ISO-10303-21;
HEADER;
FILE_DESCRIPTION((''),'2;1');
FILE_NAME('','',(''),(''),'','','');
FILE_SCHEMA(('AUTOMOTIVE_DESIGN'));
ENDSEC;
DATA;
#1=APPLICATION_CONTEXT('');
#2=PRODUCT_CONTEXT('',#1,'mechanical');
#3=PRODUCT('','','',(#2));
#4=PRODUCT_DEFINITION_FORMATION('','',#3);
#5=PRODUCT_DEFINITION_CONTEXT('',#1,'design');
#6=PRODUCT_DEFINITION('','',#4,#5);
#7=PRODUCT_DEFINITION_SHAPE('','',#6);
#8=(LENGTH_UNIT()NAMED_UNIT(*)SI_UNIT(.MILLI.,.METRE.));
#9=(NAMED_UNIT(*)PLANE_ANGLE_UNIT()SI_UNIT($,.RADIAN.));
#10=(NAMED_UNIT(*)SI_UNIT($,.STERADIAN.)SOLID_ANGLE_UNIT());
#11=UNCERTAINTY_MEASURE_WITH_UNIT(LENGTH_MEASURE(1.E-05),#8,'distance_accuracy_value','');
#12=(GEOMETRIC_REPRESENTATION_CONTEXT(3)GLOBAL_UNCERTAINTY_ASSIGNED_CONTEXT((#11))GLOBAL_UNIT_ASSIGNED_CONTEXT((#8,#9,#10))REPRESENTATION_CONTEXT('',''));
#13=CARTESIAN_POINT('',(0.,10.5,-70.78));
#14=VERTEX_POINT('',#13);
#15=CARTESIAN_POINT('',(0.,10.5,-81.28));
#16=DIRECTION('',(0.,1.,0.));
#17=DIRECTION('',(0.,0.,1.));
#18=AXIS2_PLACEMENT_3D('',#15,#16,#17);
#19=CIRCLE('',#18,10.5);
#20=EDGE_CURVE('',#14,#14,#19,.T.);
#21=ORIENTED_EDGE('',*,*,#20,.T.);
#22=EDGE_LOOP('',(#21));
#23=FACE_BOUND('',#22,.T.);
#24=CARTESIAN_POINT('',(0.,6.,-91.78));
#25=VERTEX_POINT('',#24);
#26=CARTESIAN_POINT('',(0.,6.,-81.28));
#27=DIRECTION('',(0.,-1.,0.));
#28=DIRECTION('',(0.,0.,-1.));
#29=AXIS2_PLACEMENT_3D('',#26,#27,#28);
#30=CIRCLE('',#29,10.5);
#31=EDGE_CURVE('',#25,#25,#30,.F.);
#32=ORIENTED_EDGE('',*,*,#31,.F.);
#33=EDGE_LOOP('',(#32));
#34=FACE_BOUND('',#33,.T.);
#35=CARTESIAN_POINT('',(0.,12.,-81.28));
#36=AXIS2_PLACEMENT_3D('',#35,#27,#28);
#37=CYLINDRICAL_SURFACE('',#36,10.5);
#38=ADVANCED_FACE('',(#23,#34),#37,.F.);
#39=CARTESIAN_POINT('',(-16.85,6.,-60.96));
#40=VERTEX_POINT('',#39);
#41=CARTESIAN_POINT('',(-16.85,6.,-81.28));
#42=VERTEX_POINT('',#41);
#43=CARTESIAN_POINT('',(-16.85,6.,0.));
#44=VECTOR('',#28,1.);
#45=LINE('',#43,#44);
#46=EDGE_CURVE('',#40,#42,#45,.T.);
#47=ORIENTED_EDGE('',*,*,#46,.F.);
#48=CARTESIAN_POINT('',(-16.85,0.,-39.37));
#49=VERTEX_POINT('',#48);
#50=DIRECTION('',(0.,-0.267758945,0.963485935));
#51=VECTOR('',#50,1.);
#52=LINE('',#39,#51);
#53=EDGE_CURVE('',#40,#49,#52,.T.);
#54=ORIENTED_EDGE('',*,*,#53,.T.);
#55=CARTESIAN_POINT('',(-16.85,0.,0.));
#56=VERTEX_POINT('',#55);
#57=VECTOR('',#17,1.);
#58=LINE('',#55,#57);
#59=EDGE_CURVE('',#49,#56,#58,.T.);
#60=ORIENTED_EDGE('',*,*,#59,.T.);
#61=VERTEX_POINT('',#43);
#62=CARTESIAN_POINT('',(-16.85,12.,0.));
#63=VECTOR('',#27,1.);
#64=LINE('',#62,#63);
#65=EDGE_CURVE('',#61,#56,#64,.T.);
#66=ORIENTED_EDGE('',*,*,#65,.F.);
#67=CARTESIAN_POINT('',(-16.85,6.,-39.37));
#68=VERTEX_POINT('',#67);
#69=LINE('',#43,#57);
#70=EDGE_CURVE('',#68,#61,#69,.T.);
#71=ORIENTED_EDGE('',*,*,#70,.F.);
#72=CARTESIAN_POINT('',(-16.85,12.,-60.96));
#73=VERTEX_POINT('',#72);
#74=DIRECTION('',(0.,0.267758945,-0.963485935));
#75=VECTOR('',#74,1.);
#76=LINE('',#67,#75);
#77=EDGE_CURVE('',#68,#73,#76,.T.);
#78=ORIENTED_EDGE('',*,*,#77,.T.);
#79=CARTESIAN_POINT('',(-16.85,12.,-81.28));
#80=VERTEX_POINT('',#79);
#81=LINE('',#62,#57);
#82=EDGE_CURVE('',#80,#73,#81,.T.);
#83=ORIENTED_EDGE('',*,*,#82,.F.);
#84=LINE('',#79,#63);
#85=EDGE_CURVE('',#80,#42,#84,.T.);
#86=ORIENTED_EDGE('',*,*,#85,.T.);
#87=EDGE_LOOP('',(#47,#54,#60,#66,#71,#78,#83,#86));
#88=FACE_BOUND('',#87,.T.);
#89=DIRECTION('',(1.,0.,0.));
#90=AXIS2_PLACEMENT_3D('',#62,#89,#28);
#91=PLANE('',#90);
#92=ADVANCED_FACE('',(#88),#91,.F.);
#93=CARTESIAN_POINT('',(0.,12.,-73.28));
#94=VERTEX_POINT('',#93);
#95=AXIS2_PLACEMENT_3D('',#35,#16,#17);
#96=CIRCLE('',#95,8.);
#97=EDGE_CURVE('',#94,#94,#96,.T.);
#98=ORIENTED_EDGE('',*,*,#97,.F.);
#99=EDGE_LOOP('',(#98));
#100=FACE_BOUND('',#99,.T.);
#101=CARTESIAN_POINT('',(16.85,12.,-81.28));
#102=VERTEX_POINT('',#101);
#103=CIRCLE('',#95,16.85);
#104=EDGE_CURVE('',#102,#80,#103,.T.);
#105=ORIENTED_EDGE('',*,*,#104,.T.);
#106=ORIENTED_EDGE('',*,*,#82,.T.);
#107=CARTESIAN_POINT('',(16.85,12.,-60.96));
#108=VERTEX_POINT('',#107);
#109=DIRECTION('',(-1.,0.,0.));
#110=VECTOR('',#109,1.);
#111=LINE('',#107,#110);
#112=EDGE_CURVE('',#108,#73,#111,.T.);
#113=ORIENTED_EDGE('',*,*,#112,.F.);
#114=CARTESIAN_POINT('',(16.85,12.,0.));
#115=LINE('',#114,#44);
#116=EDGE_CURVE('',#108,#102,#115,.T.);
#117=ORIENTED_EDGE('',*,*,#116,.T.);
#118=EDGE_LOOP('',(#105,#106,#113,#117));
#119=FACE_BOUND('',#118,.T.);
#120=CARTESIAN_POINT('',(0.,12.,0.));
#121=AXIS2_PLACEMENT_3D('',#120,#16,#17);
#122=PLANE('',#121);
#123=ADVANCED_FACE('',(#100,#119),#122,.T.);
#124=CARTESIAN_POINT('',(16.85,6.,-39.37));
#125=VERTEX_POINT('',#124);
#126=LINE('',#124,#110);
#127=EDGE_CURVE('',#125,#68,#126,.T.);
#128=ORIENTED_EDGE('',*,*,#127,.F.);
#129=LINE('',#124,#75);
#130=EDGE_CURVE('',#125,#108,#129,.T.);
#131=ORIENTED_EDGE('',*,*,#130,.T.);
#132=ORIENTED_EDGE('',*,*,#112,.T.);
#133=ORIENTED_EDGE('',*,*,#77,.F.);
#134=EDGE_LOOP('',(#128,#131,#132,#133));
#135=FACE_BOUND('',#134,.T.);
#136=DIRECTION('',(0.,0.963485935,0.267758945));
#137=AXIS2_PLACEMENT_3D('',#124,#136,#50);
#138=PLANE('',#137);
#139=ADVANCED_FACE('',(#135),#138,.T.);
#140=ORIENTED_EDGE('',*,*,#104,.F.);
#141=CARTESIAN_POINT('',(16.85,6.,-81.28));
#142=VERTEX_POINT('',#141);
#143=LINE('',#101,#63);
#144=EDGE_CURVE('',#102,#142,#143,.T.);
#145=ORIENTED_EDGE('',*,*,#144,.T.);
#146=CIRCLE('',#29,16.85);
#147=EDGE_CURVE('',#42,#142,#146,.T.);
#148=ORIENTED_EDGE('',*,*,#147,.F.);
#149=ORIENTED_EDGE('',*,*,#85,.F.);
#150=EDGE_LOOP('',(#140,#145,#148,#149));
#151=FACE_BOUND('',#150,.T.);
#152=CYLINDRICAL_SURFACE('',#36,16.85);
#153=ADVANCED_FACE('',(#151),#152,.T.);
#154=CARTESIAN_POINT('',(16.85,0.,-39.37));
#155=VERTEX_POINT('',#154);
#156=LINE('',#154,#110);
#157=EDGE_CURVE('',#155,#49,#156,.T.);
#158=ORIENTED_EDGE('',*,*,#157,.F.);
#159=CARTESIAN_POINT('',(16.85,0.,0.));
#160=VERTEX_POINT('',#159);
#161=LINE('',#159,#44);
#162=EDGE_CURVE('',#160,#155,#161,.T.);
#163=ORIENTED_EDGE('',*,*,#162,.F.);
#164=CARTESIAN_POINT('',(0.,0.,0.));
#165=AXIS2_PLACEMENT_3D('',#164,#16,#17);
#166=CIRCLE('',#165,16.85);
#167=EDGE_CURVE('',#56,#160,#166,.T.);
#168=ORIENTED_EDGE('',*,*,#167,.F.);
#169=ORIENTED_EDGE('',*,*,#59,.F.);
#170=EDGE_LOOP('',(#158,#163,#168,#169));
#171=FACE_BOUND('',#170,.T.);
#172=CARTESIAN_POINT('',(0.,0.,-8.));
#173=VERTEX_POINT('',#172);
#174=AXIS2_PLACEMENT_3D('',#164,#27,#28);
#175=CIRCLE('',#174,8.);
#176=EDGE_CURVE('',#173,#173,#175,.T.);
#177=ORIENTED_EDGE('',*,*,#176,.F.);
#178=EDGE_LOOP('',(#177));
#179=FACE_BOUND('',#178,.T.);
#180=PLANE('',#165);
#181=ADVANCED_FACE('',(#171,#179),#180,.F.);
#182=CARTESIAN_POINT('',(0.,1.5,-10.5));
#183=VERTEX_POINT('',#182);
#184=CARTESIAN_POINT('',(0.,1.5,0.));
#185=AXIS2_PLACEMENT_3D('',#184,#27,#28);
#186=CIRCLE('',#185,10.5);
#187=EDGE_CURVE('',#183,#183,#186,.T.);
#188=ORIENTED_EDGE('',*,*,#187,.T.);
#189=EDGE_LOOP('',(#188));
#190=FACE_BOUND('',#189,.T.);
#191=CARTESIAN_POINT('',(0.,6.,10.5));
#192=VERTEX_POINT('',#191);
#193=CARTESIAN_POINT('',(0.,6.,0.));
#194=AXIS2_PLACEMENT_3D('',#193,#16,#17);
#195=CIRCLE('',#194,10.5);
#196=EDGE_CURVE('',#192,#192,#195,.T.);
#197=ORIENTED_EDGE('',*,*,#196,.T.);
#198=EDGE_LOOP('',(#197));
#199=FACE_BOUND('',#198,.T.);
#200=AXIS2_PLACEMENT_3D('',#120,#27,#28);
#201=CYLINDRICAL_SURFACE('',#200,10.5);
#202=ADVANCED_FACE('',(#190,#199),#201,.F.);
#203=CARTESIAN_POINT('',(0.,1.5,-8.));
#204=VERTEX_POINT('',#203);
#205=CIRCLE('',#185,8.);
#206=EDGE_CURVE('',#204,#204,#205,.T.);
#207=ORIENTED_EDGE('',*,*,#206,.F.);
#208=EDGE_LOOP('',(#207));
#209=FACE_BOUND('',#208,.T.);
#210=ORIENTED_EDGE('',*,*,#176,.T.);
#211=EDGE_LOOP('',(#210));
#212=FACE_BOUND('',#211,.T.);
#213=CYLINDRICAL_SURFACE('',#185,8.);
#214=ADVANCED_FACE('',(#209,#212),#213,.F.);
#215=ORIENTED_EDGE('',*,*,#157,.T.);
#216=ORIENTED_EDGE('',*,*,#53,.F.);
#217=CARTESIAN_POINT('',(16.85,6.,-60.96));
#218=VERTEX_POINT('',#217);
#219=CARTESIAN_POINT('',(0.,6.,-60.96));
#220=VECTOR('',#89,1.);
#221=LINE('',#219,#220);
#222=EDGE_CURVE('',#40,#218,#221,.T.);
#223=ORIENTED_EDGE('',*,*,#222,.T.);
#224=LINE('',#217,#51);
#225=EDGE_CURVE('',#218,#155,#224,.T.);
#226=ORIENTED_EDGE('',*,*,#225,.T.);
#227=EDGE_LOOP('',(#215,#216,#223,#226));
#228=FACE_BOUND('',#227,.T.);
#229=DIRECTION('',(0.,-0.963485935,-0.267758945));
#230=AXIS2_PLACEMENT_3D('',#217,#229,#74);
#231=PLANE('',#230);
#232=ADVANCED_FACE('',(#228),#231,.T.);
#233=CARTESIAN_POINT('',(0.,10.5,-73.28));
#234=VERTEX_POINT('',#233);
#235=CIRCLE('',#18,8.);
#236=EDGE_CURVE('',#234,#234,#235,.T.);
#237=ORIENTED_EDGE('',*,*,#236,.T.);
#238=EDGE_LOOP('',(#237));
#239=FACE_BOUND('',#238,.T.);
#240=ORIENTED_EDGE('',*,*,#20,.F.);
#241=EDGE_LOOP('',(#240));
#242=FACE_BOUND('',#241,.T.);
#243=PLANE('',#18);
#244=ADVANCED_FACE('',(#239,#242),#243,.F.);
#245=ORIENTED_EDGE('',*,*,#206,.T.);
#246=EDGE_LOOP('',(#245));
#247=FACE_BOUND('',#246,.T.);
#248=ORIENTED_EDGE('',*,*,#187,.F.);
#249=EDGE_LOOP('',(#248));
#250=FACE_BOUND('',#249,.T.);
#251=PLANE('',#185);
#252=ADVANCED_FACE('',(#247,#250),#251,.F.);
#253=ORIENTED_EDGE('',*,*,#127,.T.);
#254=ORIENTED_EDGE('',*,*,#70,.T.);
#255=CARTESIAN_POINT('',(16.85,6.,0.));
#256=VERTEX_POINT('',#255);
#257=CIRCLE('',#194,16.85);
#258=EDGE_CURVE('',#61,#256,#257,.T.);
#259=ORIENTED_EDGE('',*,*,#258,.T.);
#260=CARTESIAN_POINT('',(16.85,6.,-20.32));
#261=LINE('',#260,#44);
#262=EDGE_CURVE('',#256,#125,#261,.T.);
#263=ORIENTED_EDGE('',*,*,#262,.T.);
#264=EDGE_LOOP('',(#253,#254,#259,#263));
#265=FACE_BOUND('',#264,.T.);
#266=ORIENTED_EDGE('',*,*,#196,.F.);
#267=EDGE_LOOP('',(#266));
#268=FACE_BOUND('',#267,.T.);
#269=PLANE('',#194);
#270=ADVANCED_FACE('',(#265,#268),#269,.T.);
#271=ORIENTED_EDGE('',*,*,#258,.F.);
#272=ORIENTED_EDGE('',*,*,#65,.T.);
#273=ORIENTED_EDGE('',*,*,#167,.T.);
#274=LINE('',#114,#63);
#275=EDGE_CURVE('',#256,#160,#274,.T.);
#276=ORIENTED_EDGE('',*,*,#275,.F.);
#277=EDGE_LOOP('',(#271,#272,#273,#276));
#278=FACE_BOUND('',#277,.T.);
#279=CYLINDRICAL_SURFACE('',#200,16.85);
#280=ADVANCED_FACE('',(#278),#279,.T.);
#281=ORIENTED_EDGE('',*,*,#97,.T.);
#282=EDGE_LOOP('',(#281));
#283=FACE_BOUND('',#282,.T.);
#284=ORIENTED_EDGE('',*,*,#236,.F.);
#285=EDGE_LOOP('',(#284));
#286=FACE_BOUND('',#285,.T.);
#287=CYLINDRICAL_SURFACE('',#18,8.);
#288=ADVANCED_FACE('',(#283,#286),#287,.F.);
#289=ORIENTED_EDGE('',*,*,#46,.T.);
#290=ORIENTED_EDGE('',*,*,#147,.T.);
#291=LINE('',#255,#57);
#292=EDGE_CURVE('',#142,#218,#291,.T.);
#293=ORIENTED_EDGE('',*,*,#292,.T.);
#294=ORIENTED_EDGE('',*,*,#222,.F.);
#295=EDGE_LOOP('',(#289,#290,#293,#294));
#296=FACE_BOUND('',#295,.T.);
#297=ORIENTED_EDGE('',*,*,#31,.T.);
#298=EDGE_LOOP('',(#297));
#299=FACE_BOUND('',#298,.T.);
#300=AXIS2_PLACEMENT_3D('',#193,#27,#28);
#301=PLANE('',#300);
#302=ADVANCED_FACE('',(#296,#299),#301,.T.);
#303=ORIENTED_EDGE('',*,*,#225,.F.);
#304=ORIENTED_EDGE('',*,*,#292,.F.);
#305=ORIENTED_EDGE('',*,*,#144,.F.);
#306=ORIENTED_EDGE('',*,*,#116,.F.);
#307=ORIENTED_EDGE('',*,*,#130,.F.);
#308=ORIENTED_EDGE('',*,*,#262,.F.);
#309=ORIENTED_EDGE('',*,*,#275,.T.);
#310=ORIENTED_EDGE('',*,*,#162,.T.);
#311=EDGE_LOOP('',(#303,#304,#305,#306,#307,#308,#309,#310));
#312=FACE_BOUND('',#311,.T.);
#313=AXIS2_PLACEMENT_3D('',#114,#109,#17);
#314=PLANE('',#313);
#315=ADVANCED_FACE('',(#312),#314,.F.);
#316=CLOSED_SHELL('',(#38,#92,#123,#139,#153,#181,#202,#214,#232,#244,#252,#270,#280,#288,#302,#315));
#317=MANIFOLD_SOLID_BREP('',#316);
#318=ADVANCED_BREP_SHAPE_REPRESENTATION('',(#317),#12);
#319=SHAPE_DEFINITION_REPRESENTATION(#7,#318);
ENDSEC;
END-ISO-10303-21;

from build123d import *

# Parameters (mm, degrees)
SKETCH1_R           = 10.499999955
BOSS_EXTRUDE1_DEPTH = 12
SKETCH2_R           = 10.499999955
CUT_EXTRUDE1_DEPTH  = 6
BOSS_EXTRUDE2_START = -1.5
SKETCH3_R           = 10.499999955
SKETCH3_R_2         = 8
BOSS_EXTRUDE2_DEPTH = 1.5
CUT_EXTRUDE2_START  = -6
CUT_EXTRUDE2_DEPTH  = 6
SKETCH5_R           = 10.499999955
SKETCH5_R_2         = 8
BOSS_EXTRUDE3_DEPTH = 1.5
CUT_EXTRUDE6_DEPTH  = 105.447053023


with BuildPart() as part:
    # Sketch1 → Boss-Extrude1 (new body)
    with BuildSketch(Plane(origin=(0, 0, 0), x_dir=(1, 0, 0), z_dir=(0, 1, 0))):
        with BuildLine():
            Line((-16.849999955, 0), (-16.849999955, 81.28))
            ThreePointArc((-16.849999955, 81.28), (0, 98.129999955), (16.849999955, 81.28))
            Line((16.849999955, 81.28), (16.849999955, 0))
            ThreePointArc((16.849999955, 0), (0, -16.849999955), (-16.849999955, 0))
        make_face()
        Circle(SKETCH1_R, mode=Mode.SUBTRACT)
        with Locations((0, 81.28)):
            Circle(SKETCH1_R, mode=Mode.SUBTRACT)
    extrude(amount=BOSS_EXTRUDE1_DEPTH)

    # Sketch2 → Cut-Extrude1 (cut)
    with BuildSketch(Plane.XZ):
        with BuildLine():
            Line((-16.849999955, -60.96), (-16.849999955, -81.28))
            ThreePointArc((-16.849999955, -81.28), (0, -98.129999955), (16.849999955, -81.28))
            Line((16.849999955, -81.28), (16.849999955, -60.96))
            Line((16.849999955, -60.96), (-16.849999955, -60.96))
        make_face()
        with Locations((0, -81.28)):
            Circle(SKETCH2_R, mode=Mode.SUBTRACT)
    extrude(amount=-CUT_EXTRUDE1_DEPTH, mode=Mode.SUBTRACT)

    # Sketch3 → Boss-Extrude2 (add)
    with BuildSketch(Plane(origin=(0, 12, 0), x_dir=(1, 0, 0), z_dir=(0, 1, 0)).offset(BOSS_EXTRUDE2_START)):
        with Locations((0, 81.28)):
            Circle(SKETCH3_R)
        with Locations((0, 81.28)):
            Circle(SKETCH3_R_2, mode=Mode.SUBTRACT)
    extrude(amount=BOSS_EXTRUDE2_DEPTH)

    # Sketch4 → Cut-Extrude2 (cut)
    with BuildSketch(Plane(origin=(0, 12, 0), x_dir=(1, 0, 0), z_dir=(0, 1, 0)).offset(CUT_EXTRUDE2_START)):
        with BuildLine():
            Line((-16.849999955, 0), (-16.849999955, 20.32))
            Line((-16.849999955, 20.32), (16.849999955, 20.32))
            Line((16.849999955, 20.32), (16.849999955, 0))
            ThreePointArc((16.849999955, 0), (0, -16.849999955), (-16.849999955, 0))
        make_face()
    extrude(amount=CUT_EXTRUDE2_DEPTH, mode=Mode.SUBTRACT)

    # Sketch5 → Boss-Extrude3 (add)
    with BuildSketch(Plane.XZ):
        Circle(SKETCH5_R)
        Circle(SKETCH5_R_2, mode=Mode.SUBTRACT)
    extrude(amount=-BOSS_EXTRUDE3_DEPTH)

    # Sketch8 → Cut-Extrude6 (cut, through all)
    with BuildSketch(Plane(origin=(-16.849999955, 0, 0), x_dir=(0, 0, -1), z_dir=(1, 0, 0))):
        Polygon((20.32, 6), (39.37, 6), (60.96, 12), (20.32, 12), align=None)
        Polygon((60.96, 6), (39.37, 0), (60.96, 0), align=None)
    extrude(amount=CUT_EXTRUDE6_DEPTH, mode=Mode.SUBTRACT)


solid = part.part
